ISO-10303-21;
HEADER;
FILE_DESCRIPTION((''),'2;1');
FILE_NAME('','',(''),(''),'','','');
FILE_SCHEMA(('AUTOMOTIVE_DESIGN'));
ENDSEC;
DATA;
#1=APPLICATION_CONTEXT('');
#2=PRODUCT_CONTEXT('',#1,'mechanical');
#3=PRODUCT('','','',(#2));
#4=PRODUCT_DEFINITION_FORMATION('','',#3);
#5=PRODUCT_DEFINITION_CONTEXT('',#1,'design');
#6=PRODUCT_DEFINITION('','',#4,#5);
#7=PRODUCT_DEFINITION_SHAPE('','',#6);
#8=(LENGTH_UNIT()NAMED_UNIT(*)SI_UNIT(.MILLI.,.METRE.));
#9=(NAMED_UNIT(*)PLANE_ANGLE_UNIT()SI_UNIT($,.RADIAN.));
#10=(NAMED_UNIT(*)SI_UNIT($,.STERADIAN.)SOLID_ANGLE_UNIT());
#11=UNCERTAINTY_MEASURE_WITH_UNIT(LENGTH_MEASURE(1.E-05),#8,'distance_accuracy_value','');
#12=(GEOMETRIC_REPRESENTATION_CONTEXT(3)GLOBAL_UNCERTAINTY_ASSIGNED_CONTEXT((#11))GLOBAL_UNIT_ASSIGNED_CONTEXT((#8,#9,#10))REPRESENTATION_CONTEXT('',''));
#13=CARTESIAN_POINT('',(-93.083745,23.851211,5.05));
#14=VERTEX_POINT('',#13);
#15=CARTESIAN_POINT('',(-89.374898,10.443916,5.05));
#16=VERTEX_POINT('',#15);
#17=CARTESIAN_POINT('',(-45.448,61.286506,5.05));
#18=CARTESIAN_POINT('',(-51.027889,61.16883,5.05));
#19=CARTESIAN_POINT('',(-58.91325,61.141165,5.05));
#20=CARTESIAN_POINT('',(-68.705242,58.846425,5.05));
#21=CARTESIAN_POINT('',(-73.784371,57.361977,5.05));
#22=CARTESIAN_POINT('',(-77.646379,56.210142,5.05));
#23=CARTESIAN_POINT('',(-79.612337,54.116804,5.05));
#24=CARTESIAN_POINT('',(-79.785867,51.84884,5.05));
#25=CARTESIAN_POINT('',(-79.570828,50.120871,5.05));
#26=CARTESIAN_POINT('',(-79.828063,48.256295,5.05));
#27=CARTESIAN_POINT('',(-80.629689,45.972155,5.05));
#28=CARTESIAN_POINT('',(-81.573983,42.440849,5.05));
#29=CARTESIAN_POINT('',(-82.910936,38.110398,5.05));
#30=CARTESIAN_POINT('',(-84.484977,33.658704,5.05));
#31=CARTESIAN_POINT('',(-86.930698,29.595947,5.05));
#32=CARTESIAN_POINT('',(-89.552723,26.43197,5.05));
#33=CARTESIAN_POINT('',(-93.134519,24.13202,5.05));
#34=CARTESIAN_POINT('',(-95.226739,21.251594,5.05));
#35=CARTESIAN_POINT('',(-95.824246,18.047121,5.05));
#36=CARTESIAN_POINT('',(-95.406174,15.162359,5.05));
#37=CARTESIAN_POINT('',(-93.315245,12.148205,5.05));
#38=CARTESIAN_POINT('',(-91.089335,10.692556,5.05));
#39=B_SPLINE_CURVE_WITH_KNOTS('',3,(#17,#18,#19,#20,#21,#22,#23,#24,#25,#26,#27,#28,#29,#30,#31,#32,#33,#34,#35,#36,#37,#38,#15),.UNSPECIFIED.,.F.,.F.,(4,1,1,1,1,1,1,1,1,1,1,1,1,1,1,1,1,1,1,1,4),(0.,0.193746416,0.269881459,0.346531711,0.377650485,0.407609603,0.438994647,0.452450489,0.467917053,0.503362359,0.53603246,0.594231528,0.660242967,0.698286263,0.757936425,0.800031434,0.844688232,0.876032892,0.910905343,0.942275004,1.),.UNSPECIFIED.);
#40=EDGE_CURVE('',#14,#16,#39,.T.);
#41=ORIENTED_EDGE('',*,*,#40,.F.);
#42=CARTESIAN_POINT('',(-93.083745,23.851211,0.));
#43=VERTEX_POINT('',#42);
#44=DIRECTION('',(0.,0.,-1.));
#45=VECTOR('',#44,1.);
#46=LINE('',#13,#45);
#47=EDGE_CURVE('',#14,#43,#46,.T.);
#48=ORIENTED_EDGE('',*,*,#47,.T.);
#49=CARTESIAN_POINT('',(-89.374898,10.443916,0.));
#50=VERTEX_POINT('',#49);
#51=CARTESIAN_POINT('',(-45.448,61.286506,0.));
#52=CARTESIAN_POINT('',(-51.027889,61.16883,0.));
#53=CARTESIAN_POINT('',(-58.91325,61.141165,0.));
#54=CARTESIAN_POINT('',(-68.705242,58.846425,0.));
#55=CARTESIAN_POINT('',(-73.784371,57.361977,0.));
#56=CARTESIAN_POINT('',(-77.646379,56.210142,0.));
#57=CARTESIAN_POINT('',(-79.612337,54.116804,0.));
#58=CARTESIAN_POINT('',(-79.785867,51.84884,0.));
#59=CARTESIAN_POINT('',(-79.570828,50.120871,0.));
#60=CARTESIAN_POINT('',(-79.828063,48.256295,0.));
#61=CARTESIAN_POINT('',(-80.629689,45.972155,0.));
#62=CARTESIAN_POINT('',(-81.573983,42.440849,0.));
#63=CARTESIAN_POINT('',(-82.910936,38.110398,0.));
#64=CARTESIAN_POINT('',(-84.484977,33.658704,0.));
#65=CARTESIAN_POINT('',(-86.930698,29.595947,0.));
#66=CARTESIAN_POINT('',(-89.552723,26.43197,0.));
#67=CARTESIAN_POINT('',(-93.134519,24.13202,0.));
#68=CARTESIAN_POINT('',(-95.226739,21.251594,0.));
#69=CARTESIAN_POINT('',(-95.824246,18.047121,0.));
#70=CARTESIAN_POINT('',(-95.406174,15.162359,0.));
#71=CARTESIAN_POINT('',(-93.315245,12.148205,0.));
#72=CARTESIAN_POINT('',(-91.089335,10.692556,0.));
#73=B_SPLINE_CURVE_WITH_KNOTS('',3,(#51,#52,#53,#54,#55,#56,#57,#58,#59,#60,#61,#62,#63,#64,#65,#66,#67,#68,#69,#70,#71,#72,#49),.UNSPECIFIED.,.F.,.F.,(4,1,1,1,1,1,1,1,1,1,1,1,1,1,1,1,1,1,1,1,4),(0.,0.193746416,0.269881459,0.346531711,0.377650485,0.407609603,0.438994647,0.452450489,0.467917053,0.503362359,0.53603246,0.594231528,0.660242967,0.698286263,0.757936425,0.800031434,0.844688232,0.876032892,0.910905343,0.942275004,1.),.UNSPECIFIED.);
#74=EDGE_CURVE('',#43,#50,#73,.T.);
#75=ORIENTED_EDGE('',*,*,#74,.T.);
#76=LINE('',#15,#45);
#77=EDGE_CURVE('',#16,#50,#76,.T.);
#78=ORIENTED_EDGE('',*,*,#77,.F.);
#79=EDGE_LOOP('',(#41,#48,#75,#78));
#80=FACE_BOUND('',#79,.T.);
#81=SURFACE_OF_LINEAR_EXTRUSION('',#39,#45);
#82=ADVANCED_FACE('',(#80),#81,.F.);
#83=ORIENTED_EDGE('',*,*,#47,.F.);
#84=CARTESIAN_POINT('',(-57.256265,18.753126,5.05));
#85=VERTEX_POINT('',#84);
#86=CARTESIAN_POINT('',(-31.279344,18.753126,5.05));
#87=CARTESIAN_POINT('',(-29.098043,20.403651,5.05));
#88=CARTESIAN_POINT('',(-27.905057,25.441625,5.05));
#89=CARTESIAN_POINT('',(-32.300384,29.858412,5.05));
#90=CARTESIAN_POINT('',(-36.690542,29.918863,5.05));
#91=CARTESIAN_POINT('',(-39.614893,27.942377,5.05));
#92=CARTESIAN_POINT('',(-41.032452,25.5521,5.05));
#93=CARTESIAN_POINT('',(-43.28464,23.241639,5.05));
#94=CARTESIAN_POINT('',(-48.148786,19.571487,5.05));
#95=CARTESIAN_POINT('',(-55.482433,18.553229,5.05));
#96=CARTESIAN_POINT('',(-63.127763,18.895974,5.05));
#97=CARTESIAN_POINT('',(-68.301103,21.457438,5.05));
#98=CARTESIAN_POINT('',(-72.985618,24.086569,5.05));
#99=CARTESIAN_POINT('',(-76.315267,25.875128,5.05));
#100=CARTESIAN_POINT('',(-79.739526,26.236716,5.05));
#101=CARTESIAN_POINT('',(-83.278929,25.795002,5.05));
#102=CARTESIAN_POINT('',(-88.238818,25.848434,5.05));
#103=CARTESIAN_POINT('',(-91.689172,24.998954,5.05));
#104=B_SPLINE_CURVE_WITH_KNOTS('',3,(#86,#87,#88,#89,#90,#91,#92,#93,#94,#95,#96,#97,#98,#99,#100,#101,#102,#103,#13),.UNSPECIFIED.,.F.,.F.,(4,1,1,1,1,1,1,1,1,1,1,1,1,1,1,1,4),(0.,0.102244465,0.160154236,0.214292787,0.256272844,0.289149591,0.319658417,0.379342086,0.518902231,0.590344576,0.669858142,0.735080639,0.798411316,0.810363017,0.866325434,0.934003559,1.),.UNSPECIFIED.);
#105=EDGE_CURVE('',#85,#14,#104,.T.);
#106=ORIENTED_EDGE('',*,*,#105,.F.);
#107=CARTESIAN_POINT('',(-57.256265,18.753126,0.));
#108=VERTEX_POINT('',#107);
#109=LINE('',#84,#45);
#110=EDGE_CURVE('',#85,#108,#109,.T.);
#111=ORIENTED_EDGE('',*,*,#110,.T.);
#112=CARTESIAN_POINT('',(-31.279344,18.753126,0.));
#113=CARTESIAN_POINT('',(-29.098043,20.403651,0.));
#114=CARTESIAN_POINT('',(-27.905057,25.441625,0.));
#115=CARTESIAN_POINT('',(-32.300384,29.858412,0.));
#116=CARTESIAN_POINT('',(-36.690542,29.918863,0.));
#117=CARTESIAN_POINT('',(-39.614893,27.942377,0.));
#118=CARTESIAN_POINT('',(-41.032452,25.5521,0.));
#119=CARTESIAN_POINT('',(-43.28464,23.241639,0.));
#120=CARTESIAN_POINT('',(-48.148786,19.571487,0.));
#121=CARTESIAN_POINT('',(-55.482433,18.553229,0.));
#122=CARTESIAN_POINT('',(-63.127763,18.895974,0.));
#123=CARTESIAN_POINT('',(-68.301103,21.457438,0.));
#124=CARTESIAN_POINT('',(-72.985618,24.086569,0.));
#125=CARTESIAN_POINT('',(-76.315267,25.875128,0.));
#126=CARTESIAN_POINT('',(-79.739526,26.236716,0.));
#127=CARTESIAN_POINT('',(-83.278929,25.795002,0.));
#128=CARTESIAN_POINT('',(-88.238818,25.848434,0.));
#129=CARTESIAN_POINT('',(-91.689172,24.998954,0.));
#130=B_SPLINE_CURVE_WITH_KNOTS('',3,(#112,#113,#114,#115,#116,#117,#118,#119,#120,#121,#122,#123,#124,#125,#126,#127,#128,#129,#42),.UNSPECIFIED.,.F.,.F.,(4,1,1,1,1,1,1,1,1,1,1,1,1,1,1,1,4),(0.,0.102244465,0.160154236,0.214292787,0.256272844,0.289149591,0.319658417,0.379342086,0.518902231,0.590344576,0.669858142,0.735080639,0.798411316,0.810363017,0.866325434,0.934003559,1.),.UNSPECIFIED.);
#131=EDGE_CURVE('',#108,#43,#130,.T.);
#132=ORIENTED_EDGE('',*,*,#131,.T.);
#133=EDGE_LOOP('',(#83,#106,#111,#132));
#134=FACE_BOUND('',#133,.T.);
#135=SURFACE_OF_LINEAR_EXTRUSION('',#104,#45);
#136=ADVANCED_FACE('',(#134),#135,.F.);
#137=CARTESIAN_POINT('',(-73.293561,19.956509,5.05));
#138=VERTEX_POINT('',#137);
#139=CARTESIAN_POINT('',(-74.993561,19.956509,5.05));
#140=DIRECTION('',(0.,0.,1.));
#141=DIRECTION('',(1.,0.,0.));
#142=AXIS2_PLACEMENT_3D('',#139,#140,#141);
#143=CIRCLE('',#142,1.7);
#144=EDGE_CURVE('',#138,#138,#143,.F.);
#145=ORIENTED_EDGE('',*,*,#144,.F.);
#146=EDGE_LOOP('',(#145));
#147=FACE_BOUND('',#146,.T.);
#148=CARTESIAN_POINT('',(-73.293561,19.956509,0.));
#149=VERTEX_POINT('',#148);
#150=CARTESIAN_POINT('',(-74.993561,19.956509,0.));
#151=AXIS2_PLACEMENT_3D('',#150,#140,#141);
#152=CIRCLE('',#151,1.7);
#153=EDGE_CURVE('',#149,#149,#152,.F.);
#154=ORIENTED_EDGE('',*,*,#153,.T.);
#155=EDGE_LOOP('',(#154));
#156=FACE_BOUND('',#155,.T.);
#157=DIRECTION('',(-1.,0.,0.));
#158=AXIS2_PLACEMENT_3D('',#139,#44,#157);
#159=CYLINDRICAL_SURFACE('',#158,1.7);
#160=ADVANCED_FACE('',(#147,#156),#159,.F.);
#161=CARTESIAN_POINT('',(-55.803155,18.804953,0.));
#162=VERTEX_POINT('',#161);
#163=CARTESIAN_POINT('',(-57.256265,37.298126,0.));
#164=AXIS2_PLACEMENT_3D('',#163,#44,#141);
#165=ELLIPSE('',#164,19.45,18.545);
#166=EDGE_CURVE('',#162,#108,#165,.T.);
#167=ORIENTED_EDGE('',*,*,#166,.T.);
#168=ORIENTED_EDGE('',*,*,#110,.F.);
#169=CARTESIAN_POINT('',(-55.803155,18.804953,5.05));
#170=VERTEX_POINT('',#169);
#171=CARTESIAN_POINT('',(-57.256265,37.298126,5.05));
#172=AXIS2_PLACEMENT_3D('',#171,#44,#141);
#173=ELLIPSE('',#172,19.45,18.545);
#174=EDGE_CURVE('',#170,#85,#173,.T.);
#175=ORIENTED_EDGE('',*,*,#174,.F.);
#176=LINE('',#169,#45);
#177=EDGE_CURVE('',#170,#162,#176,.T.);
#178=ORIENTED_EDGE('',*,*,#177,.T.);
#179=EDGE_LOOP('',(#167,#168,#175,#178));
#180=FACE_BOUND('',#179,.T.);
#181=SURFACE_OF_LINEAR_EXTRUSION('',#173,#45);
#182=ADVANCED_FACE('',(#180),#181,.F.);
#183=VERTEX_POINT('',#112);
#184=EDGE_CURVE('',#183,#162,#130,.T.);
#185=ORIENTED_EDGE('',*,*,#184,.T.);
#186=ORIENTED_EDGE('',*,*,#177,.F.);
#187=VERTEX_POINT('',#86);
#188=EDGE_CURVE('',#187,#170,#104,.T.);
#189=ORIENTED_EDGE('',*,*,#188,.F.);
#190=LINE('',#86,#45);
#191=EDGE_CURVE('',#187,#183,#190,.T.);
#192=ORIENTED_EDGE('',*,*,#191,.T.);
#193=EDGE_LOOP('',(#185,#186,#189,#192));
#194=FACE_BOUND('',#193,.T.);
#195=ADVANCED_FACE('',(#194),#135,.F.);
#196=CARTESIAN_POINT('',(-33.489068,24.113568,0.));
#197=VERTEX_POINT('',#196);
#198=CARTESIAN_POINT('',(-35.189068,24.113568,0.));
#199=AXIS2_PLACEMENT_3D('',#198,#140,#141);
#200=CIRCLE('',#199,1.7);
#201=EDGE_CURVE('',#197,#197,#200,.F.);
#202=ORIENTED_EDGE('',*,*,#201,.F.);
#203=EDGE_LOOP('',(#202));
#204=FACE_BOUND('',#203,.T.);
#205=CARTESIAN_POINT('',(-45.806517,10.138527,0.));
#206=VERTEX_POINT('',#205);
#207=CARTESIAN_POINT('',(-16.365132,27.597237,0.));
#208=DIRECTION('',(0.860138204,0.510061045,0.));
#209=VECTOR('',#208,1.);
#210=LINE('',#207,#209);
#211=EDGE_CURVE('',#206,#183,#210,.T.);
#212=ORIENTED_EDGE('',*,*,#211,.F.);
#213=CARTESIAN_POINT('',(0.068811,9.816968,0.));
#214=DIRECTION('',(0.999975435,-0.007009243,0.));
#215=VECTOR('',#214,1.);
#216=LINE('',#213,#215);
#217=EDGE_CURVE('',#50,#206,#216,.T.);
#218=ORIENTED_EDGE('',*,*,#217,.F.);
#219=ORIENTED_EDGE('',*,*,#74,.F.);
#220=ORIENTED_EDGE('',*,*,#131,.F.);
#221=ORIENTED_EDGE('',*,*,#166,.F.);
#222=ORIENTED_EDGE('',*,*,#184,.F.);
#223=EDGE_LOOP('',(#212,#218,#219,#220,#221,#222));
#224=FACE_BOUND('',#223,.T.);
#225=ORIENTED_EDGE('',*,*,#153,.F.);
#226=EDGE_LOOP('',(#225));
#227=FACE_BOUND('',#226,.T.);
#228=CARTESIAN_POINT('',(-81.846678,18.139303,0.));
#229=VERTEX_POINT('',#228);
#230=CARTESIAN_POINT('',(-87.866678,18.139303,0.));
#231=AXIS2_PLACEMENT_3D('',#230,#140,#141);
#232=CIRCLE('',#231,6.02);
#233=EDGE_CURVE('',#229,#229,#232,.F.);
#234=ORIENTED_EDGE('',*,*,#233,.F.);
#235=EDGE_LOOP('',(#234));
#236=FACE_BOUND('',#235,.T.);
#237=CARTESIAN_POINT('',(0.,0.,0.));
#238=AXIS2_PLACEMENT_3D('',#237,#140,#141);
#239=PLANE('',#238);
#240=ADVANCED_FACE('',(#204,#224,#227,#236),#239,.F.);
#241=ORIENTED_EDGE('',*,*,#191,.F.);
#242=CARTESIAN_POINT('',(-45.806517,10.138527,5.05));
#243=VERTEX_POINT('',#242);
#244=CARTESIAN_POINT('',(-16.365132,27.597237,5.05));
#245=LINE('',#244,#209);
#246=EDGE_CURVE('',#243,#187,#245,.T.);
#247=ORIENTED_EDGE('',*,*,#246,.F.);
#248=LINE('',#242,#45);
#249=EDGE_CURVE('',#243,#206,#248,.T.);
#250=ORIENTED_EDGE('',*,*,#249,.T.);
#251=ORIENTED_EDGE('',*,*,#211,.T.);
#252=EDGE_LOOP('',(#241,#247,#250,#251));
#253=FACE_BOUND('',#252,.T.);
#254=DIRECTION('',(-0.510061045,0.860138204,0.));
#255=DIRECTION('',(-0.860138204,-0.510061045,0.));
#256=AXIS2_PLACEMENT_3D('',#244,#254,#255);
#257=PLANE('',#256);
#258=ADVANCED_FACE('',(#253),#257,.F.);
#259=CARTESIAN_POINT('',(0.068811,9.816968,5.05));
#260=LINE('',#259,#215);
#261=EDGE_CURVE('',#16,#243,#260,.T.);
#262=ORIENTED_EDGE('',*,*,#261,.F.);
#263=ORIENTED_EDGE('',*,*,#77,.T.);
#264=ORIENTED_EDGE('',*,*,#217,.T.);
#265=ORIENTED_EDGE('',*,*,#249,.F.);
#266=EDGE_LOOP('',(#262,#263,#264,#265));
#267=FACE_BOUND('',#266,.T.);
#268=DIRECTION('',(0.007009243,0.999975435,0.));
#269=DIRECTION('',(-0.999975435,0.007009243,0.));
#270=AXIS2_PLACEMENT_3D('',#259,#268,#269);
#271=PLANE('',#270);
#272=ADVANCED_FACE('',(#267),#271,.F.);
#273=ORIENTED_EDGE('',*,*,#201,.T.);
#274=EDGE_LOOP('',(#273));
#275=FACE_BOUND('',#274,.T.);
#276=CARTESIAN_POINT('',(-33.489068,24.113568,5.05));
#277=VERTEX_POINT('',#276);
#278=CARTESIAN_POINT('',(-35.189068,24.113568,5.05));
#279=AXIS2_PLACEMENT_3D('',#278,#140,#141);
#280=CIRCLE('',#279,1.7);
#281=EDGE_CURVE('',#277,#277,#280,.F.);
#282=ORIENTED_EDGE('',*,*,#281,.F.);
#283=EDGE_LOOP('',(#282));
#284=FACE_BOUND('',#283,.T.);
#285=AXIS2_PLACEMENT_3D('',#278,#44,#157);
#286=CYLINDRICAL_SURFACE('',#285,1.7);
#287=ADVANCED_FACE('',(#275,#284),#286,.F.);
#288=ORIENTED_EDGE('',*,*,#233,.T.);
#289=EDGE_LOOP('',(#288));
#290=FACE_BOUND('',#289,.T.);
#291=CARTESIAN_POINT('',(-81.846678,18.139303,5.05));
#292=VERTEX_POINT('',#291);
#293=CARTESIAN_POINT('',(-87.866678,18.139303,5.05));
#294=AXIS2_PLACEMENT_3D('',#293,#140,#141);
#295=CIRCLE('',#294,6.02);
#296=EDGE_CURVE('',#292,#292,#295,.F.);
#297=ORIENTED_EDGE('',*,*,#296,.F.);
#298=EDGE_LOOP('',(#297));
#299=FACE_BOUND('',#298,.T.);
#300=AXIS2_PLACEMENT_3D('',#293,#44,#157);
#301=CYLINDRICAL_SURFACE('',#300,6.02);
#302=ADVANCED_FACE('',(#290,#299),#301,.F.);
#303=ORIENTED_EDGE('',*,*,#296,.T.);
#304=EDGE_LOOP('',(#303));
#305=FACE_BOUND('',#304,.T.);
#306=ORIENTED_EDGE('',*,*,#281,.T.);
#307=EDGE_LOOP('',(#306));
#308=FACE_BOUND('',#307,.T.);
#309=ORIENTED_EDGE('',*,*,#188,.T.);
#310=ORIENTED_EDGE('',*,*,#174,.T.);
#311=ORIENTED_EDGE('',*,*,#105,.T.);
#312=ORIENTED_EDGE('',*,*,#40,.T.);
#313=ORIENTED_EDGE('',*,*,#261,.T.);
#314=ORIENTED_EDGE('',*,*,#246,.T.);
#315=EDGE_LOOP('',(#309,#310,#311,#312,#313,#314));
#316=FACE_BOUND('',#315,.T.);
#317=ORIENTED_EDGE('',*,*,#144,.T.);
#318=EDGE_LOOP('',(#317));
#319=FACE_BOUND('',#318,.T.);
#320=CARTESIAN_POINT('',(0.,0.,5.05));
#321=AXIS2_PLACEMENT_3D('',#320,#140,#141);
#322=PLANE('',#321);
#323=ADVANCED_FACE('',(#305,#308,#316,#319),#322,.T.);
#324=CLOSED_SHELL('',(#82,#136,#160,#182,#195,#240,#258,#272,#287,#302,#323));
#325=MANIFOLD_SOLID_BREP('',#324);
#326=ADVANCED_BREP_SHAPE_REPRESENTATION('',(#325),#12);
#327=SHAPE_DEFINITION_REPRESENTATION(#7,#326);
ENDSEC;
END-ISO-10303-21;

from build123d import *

# Parameters (mm, degrees)
SCHIZZO2_R                   = 6.02
SCHIZZO2_R_2                 = 1.7
ESTRUSIONE_ESTRUSIONE1_DEPTH = 5.05


with BuildPart() as part:
    # Schizzo2 → Estrusione-Estrusione1 (new body)
    with BuildSketch(Plane.XY):
        with BuildLine():
            Line((-89.374898214, 10.44391596), (-45.806517375, 10.138527109))
            Line((-45.806517375, 10.138527109), (-31.279343931, 18.753125585))
            add(Edge.make_bspline(
                [(-31.279343931, 18.753125585), (-29.098043345, 20.403651058), (-27.905057256, 25.441624833), (-32.300384053, 29.85841163), (-36.690541673, 29.918863446), (-39.614892883, 27.942376602), (-41.03245157, 25.552100431), (-43.284640457, 23.241638673), (-47.763557065, 19.862154048), (-52.57074608, 18.979169365), (-55.803154975, 18.8049533)],
                knots=[0, 0, 0, 0, 0.102244465, 0.160154236, 0.214292787, 0.256272844, 0.289149591, 0.319658417, 0.379342086, 0.500706378, 0.500706378, 0.500706378, 0.500706378], degree=3))
            add(Edge.make_bspline(
                [(-57.25626525, 18.753125585), (-56.52869344, 18.753125585), (-55.803154975, 18.8049533)],
                knots=[4.71238898, 4.71238898, 4.71238898, 4.787168695, 4.787168695, 4.787168695], degree=2, weights=[1, 0.999301081, 1]))
            add(Edge.make_bspline(
                [(-57.25626525, 18.753125585), (-59.155150134, 18.717879159), (-63.127762505, 18.895973961), (-68.30110331, 21.45743798), (-72.985617709, 24.08656858), (-76.315266746, 25.875128424), (-79.739526403, 26.236715977), (-83.278928702, 25.795001813), (-88.238817678, 25.8484339), (-91.689171987, 24.998953947), (-93.083744843, 23.851210505)],
                knots=[0.518902231, 0.518902231, 0.518902231, 0.518902231, 0.590344576, 0.669858142, 0.735080639, 0.798411316, 0.810363017, 0.866325434, 0.934003559, 1, 1, 1, 1], degree=3))
            add(Edge.make_bspline(
                [(-93.083744843, 23.851210505), (-93.963586918, 22.989018523), (-95.239548576, 21.18289576), (-95.824246169, 18.047120823), (-95.406173905, 15.162358675), (-93.315245164, 12.148204862), (-91.089335339, 10.692555949), (-89.374898214, 10.44391596)],
                knots=[0.80240839, 0.80240839, 0.80240839, 0.80240839, 0.844688232, 0.876032892, 0.910905343, 0.942275004, 1, 1, 1, 1], degree=3))
        make_face()
        with Locations((-87.866678473, 18.139302594)):
            Circle(SCHIZZO2_R, mode=Mode.SUBTRACT)
        with Locations((-74.993560801, 19.956508848)):
            Circle(SCHIZZO2_R_2, mode=Mode.SUBTRACT)
        with Locations((-35.18906777, 24.113568479)):
            Circle(SCHIZZO2_R_2, mode=Mode.SUBTRACT)
    extrude(amount=ESTRUSIONE_ESTRUSIONE1_DEPTH)


solid = part.part
